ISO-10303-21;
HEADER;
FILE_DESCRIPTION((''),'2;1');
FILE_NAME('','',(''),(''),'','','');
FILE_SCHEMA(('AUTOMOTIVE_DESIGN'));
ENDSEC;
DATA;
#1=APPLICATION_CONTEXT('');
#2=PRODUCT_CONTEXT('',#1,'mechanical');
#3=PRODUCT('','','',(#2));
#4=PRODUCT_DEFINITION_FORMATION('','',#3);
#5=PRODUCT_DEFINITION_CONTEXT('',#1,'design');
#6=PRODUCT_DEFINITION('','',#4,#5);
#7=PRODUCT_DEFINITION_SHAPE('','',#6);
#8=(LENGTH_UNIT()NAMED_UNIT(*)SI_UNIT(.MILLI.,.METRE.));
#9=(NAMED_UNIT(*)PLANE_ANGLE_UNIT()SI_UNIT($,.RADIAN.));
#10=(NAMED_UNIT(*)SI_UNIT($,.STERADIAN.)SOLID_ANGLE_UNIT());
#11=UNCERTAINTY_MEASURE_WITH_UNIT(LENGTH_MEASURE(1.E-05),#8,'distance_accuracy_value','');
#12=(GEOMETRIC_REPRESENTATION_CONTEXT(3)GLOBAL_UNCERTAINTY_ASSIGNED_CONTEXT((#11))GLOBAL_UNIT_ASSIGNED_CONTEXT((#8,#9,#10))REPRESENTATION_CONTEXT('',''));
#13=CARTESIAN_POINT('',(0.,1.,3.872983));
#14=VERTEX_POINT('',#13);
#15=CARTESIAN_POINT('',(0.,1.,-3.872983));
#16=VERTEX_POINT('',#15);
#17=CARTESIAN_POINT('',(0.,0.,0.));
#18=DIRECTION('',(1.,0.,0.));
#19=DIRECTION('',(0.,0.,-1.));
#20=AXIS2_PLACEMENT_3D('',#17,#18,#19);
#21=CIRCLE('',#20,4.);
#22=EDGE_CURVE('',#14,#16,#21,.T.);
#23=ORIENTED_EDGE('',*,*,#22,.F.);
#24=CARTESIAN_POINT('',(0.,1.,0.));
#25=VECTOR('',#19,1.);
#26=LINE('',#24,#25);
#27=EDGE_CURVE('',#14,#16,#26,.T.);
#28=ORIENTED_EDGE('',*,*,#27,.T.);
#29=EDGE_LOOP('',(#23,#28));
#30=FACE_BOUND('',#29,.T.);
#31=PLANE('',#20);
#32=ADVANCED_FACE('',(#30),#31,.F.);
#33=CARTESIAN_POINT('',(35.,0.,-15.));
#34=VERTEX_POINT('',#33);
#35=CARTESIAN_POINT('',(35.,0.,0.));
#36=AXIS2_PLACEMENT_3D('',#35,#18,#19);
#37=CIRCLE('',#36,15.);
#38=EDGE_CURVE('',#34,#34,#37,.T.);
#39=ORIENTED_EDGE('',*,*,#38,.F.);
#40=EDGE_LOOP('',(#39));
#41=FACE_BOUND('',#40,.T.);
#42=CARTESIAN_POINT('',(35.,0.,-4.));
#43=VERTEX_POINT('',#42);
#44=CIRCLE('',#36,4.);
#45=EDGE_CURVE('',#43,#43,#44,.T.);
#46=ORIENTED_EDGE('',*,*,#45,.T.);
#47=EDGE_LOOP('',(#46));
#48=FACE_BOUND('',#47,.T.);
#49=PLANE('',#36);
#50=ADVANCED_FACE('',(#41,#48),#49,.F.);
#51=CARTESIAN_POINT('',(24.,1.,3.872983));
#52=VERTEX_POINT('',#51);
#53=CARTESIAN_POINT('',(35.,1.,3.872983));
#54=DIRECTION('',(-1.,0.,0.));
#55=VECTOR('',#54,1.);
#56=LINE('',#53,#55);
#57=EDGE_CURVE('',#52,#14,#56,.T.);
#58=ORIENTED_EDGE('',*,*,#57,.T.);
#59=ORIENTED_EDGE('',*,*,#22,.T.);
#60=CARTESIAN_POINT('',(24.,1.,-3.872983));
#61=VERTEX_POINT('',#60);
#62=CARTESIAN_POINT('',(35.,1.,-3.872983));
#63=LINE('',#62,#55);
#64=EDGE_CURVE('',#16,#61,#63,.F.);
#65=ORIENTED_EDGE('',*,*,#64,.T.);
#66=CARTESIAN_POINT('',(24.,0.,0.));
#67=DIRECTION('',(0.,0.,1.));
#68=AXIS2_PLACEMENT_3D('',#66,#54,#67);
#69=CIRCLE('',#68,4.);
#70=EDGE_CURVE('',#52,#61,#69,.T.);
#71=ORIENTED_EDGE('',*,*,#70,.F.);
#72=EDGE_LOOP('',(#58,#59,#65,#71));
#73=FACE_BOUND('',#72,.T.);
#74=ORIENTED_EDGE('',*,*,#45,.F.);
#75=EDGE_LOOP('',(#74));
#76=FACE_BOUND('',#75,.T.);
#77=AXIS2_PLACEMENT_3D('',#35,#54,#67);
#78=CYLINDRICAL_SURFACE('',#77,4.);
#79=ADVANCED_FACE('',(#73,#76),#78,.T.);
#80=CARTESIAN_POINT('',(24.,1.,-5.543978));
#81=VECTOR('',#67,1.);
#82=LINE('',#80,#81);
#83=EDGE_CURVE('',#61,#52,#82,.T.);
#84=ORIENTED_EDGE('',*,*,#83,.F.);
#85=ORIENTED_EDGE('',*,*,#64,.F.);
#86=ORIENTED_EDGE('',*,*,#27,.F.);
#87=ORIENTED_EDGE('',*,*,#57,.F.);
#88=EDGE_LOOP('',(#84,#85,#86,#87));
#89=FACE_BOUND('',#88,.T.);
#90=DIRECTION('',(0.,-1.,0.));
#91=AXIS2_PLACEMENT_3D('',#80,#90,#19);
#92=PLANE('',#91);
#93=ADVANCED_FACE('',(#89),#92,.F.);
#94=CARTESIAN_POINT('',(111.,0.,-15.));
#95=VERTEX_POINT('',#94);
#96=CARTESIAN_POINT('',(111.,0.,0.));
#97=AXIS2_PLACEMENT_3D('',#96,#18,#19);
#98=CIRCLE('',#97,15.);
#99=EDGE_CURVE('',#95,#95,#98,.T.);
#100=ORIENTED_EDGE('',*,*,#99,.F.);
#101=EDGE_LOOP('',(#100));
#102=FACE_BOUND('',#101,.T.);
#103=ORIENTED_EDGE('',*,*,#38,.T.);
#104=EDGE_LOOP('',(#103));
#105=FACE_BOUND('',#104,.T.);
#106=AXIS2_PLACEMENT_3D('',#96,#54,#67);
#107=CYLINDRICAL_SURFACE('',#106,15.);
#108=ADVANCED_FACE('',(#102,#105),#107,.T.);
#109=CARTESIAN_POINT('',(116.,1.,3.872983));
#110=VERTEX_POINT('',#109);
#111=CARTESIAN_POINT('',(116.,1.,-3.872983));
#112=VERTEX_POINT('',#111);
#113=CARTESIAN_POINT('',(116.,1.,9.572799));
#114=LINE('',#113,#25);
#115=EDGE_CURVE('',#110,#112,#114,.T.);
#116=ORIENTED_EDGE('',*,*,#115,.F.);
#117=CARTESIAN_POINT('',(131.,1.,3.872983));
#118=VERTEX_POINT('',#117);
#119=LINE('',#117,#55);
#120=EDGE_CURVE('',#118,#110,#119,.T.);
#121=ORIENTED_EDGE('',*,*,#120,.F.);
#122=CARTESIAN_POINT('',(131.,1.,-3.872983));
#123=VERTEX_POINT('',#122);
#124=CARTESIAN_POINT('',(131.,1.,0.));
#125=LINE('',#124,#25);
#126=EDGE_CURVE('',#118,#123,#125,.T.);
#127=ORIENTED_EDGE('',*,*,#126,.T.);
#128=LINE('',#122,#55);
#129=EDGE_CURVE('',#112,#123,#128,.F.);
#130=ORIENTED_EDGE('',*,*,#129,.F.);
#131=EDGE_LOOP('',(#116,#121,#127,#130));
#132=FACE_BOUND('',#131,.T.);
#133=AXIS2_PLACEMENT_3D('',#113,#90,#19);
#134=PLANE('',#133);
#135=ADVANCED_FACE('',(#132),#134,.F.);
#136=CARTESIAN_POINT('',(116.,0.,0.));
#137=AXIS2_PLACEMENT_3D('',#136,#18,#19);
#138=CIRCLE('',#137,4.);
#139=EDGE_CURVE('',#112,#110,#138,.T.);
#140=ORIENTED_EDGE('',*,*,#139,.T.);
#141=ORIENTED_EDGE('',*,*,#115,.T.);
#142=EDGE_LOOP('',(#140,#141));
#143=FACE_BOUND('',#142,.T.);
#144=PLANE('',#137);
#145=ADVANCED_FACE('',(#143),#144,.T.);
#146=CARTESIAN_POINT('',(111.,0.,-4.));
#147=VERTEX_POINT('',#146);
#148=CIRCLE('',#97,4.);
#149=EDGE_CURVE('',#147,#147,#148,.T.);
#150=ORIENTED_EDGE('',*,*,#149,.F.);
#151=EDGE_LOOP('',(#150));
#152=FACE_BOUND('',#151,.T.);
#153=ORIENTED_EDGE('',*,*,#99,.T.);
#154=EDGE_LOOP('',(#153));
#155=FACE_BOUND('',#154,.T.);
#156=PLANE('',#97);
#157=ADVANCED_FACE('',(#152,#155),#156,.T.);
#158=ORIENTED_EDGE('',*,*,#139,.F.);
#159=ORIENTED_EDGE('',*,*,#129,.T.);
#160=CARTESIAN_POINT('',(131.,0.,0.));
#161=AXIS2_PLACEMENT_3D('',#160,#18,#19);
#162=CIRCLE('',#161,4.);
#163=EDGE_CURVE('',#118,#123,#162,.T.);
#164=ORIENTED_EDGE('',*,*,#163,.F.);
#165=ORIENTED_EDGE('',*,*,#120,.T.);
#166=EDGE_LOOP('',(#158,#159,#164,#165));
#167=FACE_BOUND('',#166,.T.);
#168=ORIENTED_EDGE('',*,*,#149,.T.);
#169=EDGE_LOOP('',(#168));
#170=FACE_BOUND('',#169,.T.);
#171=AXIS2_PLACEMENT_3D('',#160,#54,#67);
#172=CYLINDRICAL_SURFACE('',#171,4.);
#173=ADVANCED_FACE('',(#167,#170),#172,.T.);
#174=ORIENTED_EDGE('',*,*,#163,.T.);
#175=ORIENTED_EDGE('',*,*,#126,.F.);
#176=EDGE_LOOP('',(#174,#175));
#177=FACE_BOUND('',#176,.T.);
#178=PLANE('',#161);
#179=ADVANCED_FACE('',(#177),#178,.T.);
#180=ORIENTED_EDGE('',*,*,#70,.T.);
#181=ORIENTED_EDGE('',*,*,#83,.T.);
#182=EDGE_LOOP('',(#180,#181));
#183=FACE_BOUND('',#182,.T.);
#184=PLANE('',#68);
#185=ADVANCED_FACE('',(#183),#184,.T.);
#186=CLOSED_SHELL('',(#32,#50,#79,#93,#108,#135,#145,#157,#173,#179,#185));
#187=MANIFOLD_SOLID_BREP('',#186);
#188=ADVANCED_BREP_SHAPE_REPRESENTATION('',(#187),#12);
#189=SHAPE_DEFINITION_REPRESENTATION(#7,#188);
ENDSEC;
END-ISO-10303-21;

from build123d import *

# Parameters (mm, degrees)
ESBO_O8_R                = 4
RESSALTO_EXTRUS_O4_DEPTH = 35
ESBO_O9_R                = 15
RESSALTO_EXTRUS_O5_DEPTH = 76
ESBO_O10_R               = 4
RESSALTO_EXTRUS_O6_DEPTH = 20
ESBO_O11_W               = 11.087956956
ESBO_O11_H               = 3
CORTE_EXTRUS_O1_DEPTH    = 24
ESBO_O12_W               = 18.763421195
ESBO_O12_H               = 3
CORTE_EXTRUS_O2_DEPTH    = 15


with BuildPart() as part:
    # Esboço8 → Ressalto-extrusão4 (new body)
    with BuildSketch(Plane(origin=(0, 0, 0), x_dir=(0, 0, -1), z_dir=(1, 0, 0))):
        Circle(ESBO_O8_R)
    extrude(amount=RESSALTO_EXTRUS_O4_DEPTH)

    # Esboço9 → Ressalto-extrusão5 (add)
    with BuildSketch(Plane(origin=(35, 0, 0), x_dir=(0, 0, -1), z_dir=(1, 0, 0))):
        Circle(ESBO_O9_R)
    extrude(amount=RESSALTO_EXTRUS_O5_DEPTH)

    # Esboço10 → Ressalto-extrusão6 (add)
    with BuildSketch(Plane(origin=(111, 0, 0), x_dir=(0, 0, -1), z_dir=(1, 0, 0))):
        Circle(ESBO_O10_R)
    extrude(amount=RESSALTO_EXTRUS_O6_DEPTH)

    # Esboço11 → Corte-extrusão1 (cut)
    with BuildSketch(Plane.ZY):
        with Locations((0, 2.5)):
            Rectangle(ESBO_O11_W, ESBO_O11_H)
    extrude(amount=-CORTE_EXTRUS_O1_DEPTH, mode=Mode.SUBTRACT)

    # Esboço12 → Corte-extrusão2 (cut)
    with BuildSketch(Plane(origin=(131, 0, 0), x_dir=(0, 0, -1), z_dir=(1, 0, 0))):
        with Locations((-0.1910881, 2.5)):
            Rectangle(ESBO_O12_W, ESBO_O12_H)
    extrude(amount=-CORTE_EXTRUS_O2_DEPTH, mode=Mode.SUBTRACT)


solid = part.part
